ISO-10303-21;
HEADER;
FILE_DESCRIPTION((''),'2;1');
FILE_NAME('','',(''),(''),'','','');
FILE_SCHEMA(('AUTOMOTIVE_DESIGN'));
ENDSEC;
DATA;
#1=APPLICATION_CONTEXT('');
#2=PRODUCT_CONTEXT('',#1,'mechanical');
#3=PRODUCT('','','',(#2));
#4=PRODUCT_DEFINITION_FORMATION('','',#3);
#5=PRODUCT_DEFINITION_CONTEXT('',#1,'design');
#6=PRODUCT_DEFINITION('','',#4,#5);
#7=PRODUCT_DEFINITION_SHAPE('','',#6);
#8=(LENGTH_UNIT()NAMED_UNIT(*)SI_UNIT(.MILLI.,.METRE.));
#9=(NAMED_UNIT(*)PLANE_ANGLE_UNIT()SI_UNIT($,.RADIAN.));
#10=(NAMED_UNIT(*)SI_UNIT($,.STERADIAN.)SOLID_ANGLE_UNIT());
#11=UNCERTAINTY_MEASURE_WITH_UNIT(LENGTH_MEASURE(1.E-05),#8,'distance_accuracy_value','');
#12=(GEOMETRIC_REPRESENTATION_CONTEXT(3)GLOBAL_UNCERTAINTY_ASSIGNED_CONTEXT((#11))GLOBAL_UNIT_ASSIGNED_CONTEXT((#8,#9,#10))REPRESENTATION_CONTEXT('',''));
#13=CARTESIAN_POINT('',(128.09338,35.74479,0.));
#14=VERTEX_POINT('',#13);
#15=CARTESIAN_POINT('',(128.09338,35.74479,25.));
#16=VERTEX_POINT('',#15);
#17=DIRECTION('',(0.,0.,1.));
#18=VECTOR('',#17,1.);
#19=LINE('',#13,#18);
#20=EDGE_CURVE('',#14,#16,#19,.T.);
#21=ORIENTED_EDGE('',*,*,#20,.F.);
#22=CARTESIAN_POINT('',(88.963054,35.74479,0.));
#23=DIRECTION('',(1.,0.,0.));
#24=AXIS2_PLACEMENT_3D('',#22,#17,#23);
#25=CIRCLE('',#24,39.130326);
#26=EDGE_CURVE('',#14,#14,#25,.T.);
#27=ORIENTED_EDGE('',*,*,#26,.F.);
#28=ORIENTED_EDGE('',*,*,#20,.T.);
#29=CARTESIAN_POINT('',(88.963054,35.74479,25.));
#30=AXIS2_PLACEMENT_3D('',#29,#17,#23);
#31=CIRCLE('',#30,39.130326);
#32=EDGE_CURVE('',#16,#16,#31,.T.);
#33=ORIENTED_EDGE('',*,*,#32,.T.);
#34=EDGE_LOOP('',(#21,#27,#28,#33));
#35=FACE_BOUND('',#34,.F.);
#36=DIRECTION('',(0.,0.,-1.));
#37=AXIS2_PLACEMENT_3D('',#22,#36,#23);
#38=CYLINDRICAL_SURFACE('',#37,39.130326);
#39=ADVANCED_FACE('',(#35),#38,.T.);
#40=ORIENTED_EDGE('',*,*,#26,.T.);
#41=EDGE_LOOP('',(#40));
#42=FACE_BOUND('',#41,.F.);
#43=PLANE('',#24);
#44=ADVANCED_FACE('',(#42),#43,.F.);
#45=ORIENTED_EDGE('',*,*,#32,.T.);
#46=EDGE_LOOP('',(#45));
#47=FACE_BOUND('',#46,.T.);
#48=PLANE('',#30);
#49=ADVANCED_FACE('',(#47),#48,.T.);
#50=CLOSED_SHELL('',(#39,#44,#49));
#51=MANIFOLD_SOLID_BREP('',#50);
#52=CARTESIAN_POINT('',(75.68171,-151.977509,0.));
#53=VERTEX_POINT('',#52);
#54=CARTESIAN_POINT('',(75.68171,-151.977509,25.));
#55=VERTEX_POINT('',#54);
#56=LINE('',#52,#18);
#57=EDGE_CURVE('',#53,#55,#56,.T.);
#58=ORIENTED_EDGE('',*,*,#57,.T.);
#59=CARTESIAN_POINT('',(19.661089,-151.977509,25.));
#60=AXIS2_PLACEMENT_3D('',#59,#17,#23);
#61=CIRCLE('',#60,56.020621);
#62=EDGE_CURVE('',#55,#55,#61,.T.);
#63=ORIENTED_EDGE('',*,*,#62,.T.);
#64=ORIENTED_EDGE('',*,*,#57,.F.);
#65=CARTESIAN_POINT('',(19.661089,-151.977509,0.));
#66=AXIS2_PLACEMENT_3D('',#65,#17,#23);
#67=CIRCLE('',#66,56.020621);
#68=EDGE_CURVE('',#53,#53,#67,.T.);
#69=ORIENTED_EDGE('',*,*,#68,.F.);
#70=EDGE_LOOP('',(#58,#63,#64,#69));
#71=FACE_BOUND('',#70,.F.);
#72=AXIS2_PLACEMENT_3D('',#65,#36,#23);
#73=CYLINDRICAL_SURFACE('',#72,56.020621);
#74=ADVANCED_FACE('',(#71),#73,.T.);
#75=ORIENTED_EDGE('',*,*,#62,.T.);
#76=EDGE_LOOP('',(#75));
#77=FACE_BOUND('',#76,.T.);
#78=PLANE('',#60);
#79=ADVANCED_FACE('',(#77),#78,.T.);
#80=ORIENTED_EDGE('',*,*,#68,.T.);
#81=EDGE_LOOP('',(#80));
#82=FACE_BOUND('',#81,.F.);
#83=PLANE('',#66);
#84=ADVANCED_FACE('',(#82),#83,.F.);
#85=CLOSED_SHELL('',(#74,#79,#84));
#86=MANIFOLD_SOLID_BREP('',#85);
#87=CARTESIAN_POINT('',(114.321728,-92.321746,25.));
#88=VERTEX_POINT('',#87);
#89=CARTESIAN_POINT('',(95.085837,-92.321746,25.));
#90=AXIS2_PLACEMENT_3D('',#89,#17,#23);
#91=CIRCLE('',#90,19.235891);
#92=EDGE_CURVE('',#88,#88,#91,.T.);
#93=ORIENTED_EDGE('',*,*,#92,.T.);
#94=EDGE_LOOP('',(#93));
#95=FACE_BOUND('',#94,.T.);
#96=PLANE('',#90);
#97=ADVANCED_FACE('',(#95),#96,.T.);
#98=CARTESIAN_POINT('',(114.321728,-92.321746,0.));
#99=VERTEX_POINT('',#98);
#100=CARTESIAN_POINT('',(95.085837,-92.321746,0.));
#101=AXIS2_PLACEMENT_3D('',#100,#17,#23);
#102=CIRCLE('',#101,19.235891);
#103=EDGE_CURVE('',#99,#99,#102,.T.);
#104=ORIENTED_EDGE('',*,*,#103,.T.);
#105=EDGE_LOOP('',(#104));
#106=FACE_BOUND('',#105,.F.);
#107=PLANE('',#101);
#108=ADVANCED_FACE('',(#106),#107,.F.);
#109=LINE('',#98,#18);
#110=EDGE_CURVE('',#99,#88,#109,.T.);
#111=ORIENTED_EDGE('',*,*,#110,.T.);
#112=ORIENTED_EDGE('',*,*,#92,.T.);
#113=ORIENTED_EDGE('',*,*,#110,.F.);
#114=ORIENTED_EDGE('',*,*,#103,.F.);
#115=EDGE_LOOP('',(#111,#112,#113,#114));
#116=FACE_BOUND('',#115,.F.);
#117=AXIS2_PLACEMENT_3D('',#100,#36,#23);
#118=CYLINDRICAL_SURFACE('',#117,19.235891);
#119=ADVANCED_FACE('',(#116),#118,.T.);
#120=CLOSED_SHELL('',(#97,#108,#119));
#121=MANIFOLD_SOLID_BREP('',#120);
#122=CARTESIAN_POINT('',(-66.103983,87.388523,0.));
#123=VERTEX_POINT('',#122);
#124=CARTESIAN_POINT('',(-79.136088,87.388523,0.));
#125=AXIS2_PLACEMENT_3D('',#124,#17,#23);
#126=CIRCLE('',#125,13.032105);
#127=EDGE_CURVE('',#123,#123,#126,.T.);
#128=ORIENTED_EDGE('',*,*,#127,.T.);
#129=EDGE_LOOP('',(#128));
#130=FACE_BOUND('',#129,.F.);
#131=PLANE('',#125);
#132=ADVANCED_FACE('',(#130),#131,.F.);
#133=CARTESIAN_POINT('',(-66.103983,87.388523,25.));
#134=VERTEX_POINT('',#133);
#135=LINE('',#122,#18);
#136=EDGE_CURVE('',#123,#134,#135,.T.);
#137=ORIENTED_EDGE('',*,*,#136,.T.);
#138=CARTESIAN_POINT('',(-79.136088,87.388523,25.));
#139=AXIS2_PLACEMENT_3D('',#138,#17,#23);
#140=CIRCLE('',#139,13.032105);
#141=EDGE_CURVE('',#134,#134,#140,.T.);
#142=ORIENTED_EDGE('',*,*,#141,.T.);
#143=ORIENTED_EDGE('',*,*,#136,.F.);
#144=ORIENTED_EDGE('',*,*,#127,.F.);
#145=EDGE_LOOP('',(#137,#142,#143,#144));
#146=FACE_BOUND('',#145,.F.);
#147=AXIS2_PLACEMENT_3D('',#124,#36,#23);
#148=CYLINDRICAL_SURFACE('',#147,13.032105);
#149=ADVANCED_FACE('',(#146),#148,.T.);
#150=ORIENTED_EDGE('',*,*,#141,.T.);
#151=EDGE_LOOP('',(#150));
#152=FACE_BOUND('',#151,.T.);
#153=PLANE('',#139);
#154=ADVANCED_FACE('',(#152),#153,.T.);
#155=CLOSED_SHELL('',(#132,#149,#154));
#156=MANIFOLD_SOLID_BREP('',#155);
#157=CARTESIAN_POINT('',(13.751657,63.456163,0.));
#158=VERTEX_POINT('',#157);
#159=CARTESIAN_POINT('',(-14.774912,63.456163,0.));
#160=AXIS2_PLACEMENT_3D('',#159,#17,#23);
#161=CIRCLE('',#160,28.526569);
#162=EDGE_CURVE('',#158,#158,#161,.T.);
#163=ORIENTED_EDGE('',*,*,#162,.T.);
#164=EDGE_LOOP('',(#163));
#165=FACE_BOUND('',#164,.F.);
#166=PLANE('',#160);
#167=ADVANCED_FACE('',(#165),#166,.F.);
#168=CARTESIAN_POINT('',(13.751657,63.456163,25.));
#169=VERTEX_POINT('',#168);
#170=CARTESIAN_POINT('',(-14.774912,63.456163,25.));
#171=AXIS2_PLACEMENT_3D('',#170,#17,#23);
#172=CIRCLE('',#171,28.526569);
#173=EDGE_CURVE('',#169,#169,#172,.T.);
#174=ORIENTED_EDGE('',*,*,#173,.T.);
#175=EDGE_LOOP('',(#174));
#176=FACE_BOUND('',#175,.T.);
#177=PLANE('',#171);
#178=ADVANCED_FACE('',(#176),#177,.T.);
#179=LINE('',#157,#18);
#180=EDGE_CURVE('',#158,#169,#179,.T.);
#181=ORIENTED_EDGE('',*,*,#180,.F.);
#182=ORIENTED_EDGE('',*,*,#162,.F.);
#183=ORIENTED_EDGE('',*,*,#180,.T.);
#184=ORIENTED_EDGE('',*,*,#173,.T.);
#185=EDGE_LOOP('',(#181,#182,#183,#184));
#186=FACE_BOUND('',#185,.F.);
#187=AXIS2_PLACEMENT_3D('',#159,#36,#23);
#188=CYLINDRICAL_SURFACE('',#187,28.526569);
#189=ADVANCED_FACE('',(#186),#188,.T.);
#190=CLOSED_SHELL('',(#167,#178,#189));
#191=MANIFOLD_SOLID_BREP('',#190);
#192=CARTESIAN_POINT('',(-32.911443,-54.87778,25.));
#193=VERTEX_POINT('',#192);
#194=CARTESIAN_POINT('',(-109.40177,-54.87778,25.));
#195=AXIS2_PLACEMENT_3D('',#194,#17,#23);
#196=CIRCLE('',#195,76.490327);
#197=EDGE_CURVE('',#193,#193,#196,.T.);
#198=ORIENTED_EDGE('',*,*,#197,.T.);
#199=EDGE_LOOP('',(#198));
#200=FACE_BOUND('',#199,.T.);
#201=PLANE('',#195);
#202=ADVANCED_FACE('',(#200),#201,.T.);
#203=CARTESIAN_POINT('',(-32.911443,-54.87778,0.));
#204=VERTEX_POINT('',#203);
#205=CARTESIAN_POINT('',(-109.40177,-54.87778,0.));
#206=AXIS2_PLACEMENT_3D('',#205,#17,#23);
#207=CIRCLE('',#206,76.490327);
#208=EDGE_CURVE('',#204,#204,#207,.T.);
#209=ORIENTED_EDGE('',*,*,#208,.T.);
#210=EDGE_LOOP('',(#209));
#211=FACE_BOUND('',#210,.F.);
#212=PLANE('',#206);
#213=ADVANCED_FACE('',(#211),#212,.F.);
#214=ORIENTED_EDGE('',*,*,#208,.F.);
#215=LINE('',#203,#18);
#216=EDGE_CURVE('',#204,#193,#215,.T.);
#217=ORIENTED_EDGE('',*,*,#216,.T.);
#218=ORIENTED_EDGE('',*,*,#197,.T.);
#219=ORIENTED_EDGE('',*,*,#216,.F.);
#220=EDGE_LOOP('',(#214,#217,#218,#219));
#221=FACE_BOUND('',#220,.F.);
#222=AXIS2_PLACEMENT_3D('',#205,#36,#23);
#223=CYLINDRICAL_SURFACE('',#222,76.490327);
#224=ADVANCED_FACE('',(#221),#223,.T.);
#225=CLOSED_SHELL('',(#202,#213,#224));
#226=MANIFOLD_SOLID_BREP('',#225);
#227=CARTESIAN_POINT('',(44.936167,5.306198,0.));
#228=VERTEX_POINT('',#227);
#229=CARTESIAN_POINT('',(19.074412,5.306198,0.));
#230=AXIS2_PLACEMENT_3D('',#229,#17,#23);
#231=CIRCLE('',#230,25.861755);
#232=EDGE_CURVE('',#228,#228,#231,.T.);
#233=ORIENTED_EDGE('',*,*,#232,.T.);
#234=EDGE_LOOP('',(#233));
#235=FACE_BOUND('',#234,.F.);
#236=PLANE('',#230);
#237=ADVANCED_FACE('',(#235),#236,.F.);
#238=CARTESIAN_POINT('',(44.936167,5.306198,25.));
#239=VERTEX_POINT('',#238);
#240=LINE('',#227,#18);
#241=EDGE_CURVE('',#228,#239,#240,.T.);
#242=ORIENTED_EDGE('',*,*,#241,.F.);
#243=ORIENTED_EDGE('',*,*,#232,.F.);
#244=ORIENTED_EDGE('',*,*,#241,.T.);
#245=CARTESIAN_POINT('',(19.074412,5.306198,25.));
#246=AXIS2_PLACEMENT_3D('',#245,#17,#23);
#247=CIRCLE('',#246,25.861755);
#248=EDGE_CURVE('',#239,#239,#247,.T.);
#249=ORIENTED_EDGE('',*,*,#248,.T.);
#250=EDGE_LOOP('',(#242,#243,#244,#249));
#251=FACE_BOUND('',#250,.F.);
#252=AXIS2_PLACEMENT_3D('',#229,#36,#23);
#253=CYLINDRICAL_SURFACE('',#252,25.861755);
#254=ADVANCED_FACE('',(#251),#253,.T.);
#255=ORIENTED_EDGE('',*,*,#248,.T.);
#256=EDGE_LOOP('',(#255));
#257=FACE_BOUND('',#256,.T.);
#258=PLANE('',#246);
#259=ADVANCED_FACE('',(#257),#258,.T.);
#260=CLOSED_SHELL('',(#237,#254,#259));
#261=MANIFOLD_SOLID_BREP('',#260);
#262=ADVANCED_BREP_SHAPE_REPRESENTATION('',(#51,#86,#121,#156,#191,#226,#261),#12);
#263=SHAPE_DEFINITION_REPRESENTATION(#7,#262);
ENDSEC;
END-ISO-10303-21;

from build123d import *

# Parameters (mm, degrees)
F0_R     = 13.032105
F0_R_2   = 28.526569
F0_R_3   = 39.130326
F0_R_4   = 25.861755
F0_R_5   = 76.490327
F0_R_6   = 19.235891
F0_R_7   = 56.020621
F1_DEPTH = 25


with BuildPart() as f1:
    # F0 (on Top) → F1 (new body)
    with BuildSketch(Plane.XY):
        with Locations((-79.136088, 87.388523)):
            Circle(F0_R)
        with Locations((-14.774912, 63.456163)):
            Circle(F0_R_2)
        with Locations((88.963054, 35.74479)):
            Circle(F0_R_3)
        with Locations((19.074412, 5.306198)):
            Circle(F0_R_4)
        with Locations((-109.40177, -54.87778)):
            Circle(F0_R_5)
        with Locations((95.085837, -92.321746)):
            Circle(F0_R_6)
        with Locations((19.661089, -151.977509)):
            Circle(F0_R_7)
    extrude(amount=F1_DEPTH)


solid = f1.part
